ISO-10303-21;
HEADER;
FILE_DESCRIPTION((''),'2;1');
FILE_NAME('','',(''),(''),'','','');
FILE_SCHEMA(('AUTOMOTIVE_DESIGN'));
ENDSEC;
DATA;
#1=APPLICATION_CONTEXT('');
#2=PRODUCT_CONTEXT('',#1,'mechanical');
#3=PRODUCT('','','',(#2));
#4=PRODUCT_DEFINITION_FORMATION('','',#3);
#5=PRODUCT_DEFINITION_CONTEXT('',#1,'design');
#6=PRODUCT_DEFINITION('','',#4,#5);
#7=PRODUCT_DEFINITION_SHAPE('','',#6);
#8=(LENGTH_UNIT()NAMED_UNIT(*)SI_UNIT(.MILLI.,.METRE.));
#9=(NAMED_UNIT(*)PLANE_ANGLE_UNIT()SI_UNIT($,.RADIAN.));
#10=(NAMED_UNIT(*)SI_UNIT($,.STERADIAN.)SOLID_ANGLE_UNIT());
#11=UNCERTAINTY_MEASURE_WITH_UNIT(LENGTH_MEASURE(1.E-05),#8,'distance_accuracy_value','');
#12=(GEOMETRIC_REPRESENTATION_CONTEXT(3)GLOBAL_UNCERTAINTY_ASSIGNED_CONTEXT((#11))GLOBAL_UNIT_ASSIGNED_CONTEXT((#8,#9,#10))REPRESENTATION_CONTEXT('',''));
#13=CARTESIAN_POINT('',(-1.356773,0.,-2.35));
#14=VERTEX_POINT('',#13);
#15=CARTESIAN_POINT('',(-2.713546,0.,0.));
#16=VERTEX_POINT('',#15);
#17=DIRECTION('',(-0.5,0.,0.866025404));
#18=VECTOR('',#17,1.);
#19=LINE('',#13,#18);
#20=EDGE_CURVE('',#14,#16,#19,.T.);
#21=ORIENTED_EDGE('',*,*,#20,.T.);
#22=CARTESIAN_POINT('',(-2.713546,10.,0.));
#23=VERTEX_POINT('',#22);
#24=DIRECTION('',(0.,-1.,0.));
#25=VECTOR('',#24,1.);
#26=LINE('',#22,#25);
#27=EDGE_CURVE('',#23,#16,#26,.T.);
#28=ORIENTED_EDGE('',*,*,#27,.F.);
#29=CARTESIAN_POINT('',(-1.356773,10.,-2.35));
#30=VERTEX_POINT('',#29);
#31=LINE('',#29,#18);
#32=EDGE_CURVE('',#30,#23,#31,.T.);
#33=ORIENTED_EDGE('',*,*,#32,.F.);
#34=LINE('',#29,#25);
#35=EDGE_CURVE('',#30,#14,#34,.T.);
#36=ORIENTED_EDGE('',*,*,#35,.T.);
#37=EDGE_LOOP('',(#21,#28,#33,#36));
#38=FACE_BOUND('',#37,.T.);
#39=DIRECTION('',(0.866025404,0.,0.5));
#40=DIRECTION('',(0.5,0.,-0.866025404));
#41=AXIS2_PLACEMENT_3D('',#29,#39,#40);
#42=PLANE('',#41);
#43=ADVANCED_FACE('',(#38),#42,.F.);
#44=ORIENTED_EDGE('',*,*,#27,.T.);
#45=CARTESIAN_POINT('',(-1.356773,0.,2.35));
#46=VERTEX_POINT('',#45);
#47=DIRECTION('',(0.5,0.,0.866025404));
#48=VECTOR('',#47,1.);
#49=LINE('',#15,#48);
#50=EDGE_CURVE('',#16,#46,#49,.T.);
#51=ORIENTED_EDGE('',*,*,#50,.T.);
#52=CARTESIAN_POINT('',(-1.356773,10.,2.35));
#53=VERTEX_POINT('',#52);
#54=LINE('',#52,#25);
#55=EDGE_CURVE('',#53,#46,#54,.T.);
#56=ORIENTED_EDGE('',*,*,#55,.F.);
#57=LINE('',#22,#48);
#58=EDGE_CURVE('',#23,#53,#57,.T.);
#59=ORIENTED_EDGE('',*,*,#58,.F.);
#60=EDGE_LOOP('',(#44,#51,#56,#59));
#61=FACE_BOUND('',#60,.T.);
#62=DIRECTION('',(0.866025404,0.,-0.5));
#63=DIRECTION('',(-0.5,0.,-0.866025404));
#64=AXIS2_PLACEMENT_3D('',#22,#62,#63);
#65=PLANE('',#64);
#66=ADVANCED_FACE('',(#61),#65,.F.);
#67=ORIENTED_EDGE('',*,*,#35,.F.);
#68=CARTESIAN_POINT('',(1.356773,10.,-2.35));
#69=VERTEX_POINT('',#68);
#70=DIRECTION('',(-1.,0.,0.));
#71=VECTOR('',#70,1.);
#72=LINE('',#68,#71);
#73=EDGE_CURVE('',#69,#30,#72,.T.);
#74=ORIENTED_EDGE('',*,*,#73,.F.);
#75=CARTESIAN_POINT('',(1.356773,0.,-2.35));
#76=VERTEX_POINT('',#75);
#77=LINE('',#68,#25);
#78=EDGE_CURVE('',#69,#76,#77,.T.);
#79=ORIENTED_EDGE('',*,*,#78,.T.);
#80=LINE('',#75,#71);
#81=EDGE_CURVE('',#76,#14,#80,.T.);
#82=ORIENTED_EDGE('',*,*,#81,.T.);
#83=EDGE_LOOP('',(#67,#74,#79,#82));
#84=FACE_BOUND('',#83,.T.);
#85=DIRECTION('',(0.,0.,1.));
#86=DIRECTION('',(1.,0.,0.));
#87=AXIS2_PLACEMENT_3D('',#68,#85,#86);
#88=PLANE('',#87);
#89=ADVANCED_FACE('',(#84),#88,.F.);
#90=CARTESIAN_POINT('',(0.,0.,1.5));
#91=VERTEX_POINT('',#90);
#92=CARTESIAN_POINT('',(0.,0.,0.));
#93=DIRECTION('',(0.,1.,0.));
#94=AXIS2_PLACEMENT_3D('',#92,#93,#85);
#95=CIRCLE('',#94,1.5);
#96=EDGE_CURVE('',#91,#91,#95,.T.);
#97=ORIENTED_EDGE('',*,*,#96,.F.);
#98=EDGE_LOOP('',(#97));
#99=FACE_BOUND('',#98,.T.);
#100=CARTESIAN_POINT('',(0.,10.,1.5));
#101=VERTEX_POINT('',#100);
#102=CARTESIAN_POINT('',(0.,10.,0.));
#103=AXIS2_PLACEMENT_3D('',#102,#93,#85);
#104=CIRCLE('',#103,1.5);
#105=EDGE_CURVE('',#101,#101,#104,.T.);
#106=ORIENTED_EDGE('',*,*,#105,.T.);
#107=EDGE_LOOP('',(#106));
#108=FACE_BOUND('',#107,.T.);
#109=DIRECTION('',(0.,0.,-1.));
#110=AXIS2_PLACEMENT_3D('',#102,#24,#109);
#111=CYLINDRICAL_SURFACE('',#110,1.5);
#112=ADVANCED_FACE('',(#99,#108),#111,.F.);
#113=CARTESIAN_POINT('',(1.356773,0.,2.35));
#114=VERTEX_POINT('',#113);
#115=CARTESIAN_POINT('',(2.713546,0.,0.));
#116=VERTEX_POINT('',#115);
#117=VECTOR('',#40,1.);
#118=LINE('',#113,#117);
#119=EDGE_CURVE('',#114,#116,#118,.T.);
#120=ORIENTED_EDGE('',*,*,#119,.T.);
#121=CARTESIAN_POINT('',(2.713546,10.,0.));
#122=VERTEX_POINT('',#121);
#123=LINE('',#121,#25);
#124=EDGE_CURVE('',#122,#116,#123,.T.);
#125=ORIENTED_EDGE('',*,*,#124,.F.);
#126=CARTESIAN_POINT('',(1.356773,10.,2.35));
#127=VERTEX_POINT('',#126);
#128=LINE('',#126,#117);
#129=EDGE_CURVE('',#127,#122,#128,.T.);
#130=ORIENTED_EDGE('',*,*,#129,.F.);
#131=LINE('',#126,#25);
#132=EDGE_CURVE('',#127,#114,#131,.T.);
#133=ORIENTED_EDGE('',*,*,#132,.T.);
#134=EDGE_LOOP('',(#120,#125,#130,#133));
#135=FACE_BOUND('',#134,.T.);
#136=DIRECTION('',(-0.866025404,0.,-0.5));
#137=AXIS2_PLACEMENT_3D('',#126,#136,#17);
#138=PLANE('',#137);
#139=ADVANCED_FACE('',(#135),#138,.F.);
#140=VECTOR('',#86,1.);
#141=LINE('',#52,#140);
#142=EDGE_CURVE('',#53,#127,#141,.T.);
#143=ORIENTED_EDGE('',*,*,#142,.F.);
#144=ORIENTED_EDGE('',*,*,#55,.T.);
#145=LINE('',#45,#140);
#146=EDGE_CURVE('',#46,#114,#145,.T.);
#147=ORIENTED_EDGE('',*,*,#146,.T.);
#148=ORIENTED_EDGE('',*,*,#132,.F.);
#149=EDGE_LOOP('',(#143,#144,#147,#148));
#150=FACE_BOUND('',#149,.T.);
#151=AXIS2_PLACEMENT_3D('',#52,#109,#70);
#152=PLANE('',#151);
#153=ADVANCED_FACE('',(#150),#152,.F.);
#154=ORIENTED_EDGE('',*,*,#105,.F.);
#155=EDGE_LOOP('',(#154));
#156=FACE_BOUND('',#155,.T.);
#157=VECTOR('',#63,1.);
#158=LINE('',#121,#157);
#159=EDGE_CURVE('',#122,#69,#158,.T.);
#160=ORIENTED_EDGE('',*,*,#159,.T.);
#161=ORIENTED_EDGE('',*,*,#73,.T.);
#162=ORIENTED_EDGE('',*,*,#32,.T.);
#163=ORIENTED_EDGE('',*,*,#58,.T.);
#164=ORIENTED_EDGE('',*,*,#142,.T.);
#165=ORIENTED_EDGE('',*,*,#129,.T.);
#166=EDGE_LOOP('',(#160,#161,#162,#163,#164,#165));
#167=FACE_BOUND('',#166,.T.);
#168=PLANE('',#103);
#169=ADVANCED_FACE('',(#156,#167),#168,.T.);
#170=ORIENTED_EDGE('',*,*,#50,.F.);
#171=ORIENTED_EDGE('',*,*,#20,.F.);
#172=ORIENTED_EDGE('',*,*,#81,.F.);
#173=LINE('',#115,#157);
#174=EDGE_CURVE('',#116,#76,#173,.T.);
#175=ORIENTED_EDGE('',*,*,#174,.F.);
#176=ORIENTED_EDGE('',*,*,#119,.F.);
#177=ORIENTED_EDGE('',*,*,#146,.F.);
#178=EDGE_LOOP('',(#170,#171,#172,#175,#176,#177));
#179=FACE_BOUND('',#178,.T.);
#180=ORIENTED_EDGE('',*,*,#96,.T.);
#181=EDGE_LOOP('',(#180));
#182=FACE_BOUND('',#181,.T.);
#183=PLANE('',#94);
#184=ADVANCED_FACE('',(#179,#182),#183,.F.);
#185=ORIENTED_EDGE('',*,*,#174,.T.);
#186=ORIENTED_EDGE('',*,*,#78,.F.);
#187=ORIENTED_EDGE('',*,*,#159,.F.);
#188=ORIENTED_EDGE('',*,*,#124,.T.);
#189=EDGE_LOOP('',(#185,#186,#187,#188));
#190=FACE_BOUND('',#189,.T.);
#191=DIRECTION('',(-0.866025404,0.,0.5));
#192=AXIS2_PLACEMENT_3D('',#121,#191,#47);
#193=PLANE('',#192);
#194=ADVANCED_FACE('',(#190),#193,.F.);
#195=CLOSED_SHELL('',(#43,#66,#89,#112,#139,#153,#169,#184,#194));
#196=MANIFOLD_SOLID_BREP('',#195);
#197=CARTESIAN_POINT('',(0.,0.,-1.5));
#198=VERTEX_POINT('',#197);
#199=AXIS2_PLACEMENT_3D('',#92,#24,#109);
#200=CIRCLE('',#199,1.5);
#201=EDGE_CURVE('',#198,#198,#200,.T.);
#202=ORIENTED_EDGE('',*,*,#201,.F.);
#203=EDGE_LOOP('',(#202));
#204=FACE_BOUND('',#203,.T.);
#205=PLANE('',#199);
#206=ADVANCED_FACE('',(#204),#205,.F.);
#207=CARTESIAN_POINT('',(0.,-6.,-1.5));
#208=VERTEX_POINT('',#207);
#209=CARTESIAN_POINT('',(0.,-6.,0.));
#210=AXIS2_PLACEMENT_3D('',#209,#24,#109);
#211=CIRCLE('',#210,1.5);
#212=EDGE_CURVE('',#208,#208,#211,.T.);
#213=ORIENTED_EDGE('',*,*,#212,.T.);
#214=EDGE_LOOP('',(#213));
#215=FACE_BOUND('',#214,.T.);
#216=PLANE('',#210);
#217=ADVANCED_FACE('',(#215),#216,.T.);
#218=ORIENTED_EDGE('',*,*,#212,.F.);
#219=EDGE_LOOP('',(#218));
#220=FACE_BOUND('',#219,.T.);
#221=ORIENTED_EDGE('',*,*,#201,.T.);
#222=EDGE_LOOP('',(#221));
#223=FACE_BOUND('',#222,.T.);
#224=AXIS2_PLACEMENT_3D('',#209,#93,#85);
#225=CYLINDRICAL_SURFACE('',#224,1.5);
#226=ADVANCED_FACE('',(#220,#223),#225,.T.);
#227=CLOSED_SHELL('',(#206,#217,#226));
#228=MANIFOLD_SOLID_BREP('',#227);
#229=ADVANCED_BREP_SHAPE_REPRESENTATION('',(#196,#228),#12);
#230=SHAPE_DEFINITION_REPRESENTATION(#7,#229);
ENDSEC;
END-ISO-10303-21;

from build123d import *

# Parameters (mm, degrees)
SKETCH_1_R      = 1.5
EXTRUDE_1_DEPTH = 10
SKETCH_2_R      = 1.5
EXTRUDE_2_DEPTH = 6


with BuildPart() as part:
    # 草图1 → 凸台-拉伸1 (new body)
    with BuildSketch(Plane(origin=(0, 0, 0), x_dir=(1, 0, 0), z_dir=(0, 1, 0))):
        Polygon((2.713546265, 0), (1.356773133, 2.35), (-1.356773133, 2.35), (-2.713546265, 0), (-1.356773133, -2.35), (1.356773133, -2.35), align=None)
        with Locations(Location((0, 0, 0), (0, 0, 270))):
            Circle(SKETCH_1_R, mode=Mode.SUBTRACT)
    extrude(amount=EXTRUDE_1_DEPTH)


with BuildPart() as body_2:
    # 草图2 → 凸台-拉伸2 (new body)
    with BuildSketch(Plane(origin=(0, 0, 0), x_dir=(-1, 0, 0), z_dir=(0, -1, 0))):
        with Locations(Location((0, 0, 0), (0, 0, 90))):
            Circle(SKETCH_2_R)
    extrude(amount=EXTRUDE_2_DEPTH)


solid = Compound([part.part, body_2.part])
